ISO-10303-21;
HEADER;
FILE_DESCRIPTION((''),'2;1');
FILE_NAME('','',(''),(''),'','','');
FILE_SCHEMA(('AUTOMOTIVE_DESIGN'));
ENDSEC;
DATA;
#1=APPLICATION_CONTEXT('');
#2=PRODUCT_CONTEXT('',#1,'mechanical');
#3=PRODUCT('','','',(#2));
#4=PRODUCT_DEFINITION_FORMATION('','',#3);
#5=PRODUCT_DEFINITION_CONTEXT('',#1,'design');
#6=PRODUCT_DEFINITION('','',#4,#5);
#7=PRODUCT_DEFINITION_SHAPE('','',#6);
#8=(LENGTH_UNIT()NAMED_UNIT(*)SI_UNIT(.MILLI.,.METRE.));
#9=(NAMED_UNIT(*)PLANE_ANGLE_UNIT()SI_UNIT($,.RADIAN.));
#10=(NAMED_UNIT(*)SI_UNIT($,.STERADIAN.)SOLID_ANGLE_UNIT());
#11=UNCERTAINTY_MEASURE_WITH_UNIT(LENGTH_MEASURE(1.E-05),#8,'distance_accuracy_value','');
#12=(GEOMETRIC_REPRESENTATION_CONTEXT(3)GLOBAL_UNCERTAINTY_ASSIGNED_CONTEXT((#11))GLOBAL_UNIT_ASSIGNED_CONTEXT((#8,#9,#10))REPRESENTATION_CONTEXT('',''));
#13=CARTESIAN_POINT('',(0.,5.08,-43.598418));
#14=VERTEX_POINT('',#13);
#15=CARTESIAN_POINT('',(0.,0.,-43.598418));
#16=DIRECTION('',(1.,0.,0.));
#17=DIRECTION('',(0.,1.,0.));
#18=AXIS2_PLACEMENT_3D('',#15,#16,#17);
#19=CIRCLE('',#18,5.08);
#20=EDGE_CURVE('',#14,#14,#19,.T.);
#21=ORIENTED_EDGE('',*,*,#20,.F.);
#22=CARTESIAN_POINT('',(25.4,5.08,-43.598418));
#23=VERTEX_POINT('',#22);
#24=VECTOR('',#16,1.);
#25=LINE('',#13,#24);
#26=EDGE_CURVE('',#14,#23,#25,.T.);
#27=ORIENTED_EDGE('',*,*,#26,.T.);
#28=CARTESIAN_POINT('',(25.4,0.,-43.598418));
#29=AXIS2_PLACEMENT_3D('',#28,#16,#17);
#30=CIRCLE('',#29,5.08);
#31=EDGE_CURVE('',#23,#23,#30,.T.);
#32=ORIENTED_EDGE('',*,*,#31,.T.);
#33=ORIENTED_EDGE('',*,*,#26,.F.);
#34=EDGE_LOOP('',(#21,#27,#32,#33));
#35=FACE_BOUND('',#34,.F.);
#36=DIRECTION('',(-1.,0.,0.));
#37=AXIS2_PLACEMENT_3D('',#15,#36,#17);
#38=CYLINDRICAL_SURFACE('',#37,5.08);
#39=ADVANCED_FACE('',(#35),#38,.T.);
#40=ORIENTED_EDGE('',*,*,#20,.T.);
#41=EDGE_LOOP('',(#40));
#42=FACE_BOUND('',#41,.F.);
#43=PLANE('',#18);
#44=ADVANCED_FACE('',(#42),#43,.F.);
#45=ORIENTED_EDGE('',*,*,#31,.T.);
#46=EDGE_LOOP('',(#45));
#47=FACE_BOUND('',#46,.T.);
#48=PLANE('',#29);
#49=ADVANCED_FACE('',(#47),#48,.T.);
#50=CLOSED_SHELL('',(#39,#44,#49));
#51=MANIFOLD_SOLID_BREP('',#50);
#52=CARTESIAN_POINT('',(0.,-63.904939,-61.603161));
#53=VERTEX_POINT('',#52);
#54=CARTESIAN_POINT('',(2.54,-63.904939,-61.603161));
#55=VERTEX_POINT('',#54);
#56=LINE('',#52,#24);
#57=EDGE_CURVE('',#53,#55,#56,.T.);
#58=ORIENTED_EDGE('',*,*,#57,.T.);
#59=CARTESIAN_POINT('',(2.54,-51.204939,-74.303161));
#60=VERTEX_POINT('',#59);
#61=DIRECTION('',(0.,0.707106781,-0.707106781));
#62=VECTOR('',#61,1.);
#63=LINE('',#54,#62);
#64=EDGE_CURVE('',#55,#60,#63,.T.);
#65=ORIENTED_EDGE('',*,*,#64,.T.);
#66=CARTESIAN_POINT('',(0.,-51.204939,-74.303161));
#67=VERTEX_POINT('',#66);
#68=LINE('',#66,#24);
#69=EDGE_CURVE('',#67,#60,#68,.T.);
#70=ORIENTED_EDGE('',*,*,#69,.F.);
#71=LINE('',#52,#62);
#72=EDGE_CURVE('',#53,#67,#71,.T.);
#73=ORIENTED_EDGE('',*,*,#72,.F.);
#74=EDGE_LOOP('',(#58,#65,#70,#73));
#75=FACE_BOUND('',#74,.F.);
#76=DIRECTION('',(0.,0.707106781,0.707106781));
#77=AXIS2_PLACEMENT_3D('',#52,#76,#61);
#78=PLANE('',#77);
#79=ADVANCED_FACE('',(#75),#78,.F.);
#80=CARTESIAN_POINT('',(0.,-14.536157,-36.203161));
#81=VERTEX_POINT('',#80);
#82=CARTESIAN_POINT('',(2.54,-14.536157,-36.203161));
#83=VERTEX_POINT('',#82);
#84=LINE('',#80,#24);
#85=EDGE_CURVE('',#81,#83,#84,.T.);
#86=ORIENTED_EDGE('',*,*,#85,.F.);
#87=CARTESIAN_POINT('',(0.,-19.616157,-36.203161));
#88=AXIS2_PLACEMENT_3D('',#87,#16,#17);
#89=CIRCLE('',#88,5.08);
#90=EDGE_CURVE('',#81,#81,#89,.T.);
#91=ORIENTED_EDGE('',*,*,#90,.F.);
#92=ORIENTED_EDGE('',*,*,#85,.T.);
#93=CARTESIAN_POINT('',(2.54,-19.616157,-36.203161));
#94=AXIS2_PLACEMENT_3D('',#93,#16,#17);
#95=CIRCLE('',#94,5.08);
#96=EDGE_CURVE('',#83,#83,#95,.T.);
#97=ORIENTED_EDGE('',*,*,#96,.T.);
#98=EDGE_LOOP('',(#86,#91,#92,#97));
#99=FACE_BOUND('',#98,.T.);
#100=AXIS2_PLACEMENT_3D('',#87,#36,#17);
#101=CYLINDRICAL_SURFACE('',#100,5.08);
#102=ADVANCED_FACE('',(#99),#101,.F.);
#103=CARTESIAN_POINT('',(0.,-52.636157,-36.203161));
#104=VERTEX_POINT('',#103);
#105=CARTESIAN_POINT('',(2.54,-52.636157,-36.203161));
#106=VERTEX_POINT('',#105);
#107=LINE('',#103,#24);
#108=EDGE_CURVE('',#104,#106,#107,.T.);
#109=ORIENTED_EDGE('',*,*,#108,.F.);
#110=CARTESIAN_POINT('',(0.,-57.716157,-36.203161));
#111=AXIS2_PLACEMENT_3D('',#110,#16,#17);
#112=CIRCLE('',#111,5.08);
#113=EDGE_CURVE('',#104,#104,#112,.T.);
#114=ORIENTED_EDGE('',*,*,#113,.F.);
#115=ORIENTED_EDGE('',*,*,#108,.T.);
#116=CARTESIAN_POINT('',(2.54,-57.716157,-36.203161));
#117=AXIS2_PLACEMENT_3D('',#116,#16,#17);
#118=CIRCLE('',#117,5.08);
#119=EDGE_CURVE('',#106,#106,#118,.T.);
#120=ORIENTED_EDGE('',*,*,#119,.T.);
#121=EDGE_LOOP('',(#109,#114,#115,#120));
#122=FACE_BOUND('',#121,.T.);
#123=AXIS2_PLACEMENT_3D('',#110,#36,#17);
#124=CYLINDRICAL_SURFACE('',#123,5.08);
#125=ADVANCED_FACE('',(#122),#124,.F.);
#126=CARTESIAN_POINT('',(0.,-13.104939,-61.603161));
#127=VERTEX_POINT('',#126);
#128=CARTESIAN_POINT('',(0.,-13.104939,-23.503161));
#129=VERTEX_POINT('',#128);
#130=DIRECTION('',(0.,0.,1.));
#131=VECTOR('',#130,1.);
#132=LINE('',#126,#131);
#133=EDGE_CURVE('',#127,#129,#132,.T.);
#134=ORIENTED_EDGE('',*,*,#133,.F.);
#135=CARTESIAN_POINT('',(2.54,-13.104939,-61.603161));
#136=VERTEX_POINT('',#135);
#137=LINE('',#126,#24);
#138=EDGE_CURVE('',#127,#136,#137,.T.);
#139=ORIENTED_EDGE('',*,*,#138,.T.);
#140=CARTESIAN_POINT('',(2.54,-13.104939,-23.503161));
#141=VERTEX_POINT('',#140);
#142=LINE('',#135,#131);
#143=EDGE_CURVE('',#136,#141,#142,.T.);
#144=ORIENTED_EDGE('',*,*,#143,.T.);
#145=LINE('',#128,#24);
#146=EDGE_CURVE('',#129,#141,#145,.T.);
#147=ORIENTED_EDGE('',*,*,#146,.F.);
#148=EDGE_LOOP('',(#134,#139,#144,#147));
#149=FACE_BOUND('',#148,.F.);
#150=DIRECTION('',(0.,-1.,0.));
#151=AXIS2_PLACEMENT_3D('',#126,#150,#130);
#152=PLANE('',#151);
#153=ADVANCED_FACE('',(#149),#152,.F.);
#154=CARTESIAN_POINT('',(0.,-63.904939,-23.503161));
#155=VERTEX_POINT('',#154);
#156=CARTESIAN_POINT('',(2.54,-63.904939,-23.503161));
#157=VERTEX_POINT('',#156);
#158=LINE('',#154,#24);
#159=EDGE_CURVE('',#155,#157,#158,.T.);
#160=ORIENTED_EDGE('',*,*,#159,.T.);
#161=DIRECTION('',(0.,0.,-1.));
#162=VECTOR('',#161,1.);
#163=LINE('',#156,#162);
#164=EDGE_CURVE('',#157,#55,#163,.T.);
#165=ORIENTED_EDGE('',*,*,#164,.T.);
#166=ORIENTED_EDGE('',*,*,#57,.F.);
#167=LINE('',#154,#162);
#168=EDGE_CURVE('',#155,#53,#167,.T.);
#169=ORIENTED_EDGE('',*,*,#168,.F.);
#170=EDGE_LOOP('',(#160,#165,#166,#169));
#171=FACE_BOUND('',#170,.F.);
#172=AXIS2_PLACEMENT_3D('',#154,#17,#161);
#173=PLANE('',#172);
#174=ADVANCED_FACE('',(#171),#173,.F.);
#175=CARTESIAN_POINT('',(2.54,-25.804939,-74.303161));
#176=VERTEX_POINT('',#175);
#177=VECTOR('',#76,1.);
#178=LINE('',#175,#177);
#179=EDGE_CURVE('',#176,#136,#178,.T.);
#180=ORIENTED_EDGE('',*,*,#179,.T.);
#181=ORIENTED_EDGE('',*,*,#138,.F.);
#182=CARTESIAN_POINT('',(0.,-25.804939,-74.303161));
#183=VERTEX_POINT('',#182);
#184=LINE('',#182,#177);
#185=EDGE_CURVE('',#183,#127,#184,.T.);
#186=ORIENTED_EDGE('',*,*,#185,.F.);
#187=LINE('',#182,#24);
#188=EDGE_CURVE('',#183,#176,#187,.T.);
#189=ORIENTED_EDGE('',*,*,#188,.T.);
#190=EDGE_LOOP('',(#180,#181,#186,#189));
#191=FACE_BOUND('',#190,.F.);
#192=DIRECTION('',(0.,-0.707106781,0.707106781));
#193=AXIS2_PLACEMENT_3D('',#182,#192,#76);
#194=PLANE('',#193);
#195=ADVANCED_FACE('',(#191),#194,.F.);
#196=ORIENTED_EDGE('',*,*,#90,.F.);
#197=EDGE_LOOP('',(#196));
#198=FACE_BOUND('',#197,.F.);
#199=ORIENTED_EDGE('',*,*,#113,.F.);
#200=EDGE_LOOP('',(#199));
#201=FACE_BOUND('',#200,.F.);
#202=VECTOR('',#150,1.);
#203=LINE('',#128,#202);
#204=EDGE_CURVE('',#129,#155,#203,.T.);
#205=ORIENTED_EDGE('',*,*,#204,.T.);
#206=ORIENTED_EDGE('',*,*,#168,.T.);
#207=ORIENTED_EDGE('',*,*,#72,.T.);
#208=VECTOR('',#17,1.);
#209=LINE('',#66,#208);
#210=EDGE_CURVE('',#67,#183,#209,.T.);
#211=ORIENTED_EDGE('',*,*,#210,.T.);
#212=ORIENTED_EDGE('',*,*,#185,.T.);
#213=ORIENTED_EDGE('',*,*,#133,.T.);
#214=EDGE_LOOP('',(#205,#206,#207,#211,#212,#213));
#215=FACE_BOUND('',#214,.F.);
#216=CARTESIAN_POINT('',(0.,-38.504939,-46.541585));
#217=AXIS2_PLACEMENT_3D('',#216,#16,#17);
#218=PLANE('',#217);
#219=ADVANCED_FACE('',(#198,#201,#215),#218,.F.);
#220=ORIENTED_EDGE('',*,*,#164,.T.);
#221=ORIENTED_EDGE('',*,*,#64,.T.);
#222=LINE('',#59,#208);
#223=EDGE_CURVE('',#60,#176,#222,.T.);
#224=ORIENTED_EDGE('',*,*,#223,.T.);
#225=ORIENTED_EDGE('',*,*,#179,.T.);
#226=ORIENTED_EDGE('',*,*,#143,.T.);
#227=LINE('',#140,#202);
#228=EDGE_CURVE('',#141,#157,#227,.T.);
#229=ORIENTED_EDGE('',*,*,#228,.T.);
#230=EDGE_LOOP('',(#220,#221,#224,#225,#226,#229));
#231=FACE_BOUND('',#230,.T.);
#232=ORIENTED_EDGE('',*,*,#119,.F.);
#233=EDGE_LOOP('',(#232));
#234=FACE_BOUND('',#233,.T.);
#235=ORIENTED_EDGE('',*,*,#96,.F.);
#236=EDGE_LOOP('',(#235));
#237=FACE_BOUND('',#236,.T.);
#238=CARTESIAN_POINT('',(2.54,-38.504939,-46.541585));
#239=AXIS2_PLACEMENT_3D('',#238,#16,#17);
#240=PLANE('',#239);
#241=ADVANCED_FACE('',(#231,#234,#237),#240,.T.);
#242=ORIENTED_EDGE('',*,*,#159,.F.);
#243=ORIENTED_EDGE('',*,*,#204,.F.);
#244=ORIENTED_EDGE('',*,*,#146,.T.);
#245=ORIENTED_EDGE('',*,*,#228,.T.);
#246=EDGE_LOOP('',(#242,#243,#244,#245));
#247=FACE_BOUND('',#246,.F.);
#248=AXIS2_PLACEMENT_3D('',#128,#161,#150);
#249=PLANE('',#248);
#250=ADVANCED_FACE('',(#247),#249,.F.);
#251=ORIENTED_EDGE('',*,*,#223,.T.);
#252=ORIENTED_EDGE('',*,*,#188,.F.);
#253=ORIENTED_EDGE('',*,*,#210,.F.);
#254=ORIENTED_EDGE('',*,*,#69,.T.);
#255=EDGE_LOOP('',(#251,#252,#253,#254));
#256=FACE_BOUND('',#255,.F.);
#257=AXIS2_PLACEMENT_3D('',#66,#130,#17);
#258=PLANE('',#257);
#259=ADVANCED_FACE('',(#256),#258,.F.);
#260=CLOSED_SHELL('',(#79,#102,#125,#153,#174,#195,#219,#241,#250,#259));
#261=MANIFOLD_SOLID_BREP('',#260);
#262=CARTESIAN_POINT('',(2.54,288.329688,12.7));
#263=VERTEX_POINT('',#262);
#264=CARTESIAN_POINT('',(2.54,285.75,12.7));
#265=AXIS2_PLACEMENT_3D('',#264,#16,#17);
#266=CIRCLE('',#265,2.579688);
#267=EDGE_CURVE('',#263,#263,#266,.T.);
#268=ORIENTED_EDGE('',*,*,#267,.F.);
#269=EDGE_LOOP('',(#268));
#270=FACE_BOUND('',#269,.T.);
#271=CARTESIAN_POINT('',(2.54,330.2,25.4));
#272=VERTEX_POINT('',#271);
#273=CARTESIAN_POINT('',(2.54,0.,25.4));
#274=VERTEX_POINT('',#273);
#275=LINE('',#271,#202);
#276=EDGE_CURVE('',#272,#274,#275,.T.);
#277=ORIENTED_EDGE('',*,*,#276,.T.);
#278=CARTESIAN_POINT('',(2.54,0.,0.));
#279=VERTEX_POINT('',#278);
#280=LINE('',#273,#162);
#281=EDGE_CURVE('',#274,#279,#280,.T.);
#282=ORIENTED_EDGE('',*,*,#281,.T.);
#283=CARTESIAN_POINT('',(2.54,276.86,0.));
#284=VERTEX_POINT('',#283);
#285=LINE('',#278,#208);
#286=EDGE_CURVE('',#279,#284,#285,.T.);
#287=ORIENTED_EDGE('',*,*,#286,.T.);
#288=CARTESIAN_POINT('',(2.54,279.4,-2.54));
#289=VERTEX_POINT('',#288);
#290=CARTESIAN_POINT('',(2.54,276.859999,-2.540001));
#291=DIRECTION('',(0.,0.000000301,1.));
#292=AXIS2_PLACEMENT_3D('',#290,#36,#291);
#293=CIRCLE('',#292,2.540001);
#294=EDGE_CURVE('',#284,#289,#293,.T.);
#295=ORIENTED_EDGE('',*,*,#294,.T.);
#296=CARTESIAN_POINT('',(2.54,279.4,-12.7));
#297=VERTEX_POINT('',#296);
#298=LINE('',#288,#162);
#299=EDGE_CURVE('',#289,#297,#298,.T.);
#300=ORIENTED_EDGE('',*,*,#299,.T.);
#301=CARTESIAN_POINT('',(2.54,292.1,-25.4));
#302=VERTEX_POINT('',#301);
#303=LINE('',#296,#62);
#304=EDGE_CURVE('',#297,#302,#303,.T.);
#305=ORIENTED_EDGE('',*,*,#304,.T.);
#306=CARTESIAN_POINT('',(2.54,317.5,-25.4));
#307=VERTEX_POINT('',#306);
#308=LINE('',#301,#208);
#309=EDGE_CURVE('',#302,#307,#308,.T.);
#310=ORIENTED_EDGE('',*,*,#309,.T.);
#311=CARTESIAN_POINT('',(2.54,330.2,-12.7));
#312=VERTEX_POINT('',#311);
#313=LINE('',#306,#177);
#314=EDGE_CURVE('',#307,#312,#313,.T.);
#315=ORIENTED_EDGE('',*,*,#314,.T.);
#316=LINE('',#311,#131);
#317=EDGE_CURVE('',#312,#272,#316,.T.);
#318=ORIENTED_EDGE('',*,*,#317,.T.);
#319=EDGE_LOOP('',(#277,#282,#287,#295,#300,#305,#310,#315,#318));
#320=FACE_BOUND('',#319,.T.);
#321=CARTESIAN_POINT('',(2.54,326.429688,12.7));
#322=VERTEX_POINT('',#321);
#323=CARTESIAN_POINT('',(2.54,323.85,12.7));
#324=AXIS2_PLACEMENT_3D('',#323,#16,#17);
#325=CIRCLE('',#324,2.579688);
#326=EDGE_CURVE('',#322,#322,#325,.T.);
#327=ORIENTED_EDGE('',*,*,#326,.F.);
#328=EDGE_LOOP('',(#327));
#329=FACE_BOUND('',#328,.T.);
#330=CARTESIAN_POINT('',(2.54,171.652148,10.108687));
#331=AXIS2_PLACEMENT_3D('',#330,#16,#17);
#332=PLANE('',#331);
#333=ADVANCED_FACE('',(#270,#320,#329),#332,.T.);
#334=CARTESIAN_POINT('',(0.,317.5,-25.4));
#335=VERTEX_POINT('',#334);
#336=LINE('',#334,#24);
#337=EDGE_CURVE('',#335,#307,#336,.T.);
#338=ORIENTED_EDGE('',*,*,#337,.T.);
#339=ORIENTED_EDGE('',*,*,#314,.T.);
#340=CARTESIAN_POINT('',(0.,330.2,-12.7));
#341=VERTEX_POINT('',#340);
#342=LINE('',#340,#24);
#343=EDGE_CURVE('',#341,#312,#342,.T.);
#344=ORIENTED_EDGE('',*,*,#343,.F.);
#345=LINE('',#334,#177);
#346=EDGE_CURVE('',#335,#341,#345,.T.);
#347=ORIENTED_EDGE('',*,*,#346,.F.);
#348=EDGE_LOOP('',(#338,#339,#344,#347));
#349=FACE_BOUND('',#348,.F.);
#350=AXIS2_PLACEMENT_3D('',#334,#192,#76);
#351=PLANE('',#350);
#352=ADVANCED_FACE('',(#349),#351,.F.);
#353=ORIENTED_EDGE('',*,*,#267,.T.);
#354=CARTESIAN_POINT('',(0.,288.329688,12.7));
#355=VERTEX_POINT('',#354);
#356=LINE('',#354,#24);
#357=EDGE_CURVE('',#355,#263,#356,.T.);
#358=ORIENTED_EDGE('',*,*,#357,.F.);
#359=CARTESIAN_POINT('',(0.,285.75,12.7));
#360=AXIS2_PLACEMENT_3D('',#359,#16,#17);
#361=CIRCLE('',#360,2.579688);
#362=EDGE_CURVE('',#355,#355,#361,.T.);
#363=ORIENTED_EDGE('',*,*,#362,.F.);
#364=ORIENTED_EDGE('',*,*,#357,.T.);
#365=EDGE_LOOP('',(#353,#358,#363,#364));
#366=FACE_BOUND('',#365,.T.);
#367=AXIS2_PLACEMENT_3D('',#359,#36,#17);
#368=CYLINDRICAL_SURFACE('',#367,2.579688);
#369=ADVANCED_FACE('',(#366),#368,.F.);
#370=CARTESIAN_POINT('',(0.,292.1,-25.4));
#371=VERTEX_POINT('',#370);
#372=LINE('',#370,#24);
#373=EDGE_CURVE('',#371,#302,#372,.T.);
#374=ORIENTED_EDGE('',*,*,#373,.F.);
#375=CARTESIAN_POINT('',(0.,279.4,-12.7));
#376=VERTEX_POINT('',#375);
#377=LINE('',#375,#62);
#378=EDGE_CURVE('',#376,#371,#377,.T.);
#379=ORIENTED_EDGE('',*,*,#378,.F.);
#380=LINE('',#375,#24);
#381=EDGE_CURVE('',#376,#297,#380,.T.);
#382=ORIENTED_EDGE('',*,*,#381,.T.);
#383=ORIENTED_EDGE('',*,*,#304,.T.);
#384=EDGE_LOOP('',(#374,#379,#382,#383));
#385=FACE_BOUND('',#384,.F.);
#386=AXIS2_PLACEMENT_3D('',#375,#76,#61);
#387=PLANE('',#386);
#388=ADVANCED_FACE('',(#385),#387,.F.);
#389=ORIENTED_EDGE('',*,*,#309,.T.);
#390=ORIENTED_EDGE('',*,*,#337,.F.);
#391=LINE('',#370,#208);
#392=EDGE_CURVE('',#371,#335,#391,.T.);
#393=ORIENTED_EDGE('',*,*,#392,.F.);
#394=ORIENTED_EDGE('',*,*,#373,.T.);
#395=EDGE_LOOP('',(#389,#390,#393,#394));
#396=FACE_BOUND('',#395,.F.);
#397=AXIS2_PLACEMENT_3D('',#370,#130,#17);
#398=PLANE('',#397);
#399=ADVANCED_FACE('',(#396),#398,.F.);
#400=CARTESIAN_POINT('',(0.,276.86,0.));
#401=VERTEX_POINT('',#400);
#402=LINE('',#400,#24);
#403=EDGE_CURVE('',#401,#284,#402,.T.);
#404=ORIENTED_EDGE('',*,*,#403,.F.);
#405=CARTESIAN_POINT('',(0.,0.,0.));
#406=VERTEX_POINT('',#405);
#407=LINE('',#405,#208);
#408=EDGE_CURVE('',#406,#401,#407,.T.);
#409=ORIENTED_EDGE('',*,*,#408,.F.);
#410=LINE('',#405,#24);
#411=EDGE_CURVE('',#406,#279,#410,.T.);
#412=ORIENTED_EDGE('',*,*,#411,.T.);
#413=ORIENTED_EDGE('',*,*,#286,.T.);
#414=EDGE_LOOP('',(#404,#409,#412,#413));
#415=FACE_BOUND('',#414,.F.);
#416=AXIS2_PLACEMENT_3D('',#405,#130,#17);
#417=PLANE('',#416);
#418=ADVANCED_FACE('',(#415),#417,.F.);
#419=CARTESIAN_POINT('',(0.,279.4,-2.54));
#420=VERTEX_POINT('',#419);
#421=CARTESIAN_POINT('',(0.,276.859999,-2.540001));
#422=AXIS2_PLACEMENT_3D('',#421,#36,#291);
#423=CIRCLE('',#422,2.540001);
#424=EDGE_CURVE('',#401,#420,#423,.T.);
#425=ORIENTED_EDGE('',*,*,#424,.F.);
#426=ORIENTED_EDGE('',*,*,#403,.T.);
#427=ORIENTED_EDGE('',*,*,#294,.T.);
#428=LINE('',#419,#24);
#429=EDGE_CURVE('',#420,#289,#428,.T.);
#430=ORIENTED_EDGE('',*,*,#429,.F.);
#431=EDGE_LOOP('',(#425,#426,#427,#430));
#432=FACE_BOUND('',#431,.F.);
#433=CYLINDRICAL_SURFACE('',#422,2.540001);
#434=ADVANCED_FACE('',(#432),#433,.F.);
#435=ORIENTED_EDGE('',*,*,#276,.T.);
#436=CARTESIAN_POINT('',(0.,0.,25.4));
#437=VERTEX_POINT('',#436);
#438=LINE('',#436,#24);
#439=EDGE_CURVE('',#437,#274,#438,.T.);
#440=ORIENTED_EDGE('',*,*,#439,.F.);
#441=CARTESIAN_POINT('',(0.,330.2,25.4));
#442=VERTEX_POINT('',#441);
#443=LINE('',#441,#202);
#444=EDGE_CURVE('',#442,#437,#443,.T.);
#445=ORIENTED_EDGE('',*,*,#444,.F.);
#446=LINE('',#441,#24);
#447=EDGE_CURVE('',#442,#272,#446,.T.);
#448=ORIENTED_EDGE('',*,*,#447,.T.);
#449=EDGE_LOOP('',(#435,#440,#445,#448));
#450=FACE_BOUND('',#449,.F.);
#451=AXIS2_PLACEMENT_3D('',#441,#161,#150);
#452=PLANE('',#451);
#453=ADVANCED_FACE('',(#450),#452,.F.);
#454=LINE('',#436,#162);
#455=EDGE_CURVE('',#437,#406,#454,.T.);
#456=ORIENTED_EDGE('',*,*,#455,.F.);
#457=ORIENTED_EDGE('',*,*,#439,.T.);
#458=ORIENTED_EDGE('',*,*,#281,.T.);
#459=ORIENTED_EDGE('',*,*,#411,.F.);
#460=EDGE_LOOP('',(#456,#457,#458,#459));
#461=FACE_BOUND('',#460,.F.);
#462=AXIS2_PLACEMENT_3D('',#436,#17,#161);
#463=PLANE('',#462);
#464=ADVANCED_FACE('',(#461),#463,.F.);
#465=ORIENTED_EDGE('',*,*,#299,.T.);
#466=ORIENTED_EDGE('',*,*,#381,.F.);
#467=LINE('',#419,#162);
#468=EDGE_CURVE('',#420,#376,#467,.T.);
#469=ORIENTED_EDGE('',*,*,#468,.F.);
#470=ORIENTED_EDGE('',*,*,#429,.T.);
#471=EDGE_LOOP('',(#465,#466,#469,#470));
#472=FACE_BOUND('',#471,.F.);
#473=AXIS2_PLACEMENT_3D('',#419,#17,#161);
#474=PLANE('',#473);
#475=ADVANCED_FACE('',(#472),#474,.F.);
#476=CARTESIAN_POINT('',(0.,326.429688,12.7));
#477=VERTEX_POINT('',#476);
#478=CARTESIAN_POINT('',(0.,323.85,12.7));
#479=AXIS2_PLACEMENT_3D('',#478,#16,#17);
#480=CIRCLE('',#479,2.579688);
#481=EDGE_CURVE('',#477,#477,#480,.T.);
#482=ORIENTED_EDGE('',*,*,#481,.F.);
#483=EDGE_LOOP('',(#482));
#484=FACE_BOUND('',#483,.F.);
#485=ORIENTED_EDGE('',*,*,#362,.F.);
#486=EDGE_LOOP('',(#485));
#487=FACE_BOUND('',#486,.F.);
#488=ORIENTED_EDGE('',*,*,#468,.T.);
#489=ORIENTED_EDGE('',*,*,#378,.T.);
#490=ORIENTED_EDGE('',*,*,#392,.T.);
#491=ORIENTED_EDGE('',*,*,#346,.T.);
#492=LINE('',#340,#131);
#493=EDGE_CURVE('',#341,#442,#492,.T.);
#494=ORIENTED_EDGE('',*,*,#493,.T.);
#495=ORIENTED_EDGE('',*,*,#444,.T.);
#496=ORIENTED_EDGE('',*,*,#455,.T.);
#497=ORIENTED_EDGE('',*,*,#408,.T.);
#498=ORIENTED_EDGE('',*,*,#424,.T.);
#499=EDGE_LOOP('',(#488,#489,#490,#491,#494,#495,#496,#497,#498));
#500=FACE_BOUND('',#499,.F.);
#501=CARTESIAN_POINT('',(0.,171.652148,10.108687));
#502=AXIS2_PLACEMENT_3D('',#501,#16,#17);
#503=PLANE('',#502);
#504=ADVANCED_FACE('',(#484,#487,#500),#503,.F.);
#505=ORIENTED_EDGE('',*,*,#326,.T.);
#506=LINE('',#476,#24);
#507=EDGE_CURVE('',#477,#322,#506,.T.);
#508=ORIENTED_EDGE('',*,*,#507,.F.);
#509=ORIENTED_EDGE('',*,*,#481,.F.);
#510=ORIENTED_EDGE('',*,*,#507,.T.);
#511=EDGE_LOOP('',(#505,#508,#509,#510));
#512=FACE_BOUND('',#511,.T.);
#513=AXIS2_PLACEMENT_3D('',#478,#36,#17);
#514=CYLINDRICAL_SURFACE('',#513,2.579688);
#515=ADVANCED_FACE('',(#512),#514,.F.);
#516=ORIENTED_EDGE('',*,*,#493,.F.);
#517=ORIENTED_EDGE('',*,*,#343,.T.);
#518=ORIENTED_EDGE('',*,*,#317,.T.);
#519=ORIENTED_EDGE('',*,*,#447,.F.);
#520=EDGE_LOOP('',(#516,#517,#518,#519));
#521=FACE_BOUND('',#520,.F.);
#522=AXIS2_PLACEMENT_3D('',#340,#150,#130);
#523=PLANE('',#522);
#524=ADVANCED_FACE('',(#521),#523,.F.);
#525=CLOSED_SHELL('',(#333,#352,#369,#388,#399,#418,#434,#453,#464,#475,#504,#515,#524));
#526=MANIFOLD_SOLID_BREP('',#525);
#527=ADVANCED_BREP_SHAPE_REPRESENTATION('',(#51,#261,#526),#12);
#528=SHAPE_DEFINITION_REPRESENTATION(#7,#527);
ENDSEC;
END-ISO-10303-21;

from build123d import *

# Parameters (mm, degrees)
F0_R     = 2.579688
F1_DEPTH = 2.54
F0_R_2   = 5.08
F2_DEPTH = 2.54
F3_DEPTH = 25.4


with BuildPart() as f1:
    # F0 (on Right) → F1 (new body)
    with BuildSketch(Plane.YZ):
        with BuildLine():
            Line((0, 25.4), (0, 0))
            Line((0, 0), (276.86, 0))
            ThreePointArc((276.86, 0), (278.656051, -0.743949), (279.4, -2.54))
            Line((279.4, -2.54), (279.4, -12.7))
            Line((279.4, -12.7), (292.1, -25.4))
            Line((292.1, -25.4), (317.5, -25.4))
            Line((317.5, -25.4), (330.2, -12.7))
            Line((330.2, -12.7), (330.2, 25.4))
            Line((330.2, 25.4), (0, 25.4))
        make_face()
        with Locations((285.75, 12.7)):
            Circle(F0_R, mode=Mode.SUBTRACT)
        with Locations((323.85, 12.7)):
            Circle(F0_R, mode=Mode.SUBTRACT)
    extrude(amount=F1_DEPTH)


with BuildPart() as f2:
    # F0 (on Right) → F2 (new body)
    with BuildSketch(Plane.YZ):
        Polygon((-13.104939, -23.503161), (-63.904939, -23.503161), (-63.904939, -61.603161), (-51.204939, -74.303161), (-25.804939, -74.303161), (-13.104939, -61.603161), align=None)
        with Locations((-57.716157, -36.203161)):
            Circle(F0_R_2, mode=Mode.SUBTRACT)
        with Locations((-19.616157, -36.203161)):
            Circle(F0_R_2, mode=Mode.SUBTRACT)
    extrude(amount=F2_DEPTH)


with BuildPart() as f3:
    # F0 (on Right) → F3 (new body)
    with BuildSketch(Plane.YZ):
        with Locations((0, -43.598418)):
            Circle(F0_R_2)
    extrude(amount=F3_DEPTH)


solid = Compound([f1.part, f2.part, f3.part])
